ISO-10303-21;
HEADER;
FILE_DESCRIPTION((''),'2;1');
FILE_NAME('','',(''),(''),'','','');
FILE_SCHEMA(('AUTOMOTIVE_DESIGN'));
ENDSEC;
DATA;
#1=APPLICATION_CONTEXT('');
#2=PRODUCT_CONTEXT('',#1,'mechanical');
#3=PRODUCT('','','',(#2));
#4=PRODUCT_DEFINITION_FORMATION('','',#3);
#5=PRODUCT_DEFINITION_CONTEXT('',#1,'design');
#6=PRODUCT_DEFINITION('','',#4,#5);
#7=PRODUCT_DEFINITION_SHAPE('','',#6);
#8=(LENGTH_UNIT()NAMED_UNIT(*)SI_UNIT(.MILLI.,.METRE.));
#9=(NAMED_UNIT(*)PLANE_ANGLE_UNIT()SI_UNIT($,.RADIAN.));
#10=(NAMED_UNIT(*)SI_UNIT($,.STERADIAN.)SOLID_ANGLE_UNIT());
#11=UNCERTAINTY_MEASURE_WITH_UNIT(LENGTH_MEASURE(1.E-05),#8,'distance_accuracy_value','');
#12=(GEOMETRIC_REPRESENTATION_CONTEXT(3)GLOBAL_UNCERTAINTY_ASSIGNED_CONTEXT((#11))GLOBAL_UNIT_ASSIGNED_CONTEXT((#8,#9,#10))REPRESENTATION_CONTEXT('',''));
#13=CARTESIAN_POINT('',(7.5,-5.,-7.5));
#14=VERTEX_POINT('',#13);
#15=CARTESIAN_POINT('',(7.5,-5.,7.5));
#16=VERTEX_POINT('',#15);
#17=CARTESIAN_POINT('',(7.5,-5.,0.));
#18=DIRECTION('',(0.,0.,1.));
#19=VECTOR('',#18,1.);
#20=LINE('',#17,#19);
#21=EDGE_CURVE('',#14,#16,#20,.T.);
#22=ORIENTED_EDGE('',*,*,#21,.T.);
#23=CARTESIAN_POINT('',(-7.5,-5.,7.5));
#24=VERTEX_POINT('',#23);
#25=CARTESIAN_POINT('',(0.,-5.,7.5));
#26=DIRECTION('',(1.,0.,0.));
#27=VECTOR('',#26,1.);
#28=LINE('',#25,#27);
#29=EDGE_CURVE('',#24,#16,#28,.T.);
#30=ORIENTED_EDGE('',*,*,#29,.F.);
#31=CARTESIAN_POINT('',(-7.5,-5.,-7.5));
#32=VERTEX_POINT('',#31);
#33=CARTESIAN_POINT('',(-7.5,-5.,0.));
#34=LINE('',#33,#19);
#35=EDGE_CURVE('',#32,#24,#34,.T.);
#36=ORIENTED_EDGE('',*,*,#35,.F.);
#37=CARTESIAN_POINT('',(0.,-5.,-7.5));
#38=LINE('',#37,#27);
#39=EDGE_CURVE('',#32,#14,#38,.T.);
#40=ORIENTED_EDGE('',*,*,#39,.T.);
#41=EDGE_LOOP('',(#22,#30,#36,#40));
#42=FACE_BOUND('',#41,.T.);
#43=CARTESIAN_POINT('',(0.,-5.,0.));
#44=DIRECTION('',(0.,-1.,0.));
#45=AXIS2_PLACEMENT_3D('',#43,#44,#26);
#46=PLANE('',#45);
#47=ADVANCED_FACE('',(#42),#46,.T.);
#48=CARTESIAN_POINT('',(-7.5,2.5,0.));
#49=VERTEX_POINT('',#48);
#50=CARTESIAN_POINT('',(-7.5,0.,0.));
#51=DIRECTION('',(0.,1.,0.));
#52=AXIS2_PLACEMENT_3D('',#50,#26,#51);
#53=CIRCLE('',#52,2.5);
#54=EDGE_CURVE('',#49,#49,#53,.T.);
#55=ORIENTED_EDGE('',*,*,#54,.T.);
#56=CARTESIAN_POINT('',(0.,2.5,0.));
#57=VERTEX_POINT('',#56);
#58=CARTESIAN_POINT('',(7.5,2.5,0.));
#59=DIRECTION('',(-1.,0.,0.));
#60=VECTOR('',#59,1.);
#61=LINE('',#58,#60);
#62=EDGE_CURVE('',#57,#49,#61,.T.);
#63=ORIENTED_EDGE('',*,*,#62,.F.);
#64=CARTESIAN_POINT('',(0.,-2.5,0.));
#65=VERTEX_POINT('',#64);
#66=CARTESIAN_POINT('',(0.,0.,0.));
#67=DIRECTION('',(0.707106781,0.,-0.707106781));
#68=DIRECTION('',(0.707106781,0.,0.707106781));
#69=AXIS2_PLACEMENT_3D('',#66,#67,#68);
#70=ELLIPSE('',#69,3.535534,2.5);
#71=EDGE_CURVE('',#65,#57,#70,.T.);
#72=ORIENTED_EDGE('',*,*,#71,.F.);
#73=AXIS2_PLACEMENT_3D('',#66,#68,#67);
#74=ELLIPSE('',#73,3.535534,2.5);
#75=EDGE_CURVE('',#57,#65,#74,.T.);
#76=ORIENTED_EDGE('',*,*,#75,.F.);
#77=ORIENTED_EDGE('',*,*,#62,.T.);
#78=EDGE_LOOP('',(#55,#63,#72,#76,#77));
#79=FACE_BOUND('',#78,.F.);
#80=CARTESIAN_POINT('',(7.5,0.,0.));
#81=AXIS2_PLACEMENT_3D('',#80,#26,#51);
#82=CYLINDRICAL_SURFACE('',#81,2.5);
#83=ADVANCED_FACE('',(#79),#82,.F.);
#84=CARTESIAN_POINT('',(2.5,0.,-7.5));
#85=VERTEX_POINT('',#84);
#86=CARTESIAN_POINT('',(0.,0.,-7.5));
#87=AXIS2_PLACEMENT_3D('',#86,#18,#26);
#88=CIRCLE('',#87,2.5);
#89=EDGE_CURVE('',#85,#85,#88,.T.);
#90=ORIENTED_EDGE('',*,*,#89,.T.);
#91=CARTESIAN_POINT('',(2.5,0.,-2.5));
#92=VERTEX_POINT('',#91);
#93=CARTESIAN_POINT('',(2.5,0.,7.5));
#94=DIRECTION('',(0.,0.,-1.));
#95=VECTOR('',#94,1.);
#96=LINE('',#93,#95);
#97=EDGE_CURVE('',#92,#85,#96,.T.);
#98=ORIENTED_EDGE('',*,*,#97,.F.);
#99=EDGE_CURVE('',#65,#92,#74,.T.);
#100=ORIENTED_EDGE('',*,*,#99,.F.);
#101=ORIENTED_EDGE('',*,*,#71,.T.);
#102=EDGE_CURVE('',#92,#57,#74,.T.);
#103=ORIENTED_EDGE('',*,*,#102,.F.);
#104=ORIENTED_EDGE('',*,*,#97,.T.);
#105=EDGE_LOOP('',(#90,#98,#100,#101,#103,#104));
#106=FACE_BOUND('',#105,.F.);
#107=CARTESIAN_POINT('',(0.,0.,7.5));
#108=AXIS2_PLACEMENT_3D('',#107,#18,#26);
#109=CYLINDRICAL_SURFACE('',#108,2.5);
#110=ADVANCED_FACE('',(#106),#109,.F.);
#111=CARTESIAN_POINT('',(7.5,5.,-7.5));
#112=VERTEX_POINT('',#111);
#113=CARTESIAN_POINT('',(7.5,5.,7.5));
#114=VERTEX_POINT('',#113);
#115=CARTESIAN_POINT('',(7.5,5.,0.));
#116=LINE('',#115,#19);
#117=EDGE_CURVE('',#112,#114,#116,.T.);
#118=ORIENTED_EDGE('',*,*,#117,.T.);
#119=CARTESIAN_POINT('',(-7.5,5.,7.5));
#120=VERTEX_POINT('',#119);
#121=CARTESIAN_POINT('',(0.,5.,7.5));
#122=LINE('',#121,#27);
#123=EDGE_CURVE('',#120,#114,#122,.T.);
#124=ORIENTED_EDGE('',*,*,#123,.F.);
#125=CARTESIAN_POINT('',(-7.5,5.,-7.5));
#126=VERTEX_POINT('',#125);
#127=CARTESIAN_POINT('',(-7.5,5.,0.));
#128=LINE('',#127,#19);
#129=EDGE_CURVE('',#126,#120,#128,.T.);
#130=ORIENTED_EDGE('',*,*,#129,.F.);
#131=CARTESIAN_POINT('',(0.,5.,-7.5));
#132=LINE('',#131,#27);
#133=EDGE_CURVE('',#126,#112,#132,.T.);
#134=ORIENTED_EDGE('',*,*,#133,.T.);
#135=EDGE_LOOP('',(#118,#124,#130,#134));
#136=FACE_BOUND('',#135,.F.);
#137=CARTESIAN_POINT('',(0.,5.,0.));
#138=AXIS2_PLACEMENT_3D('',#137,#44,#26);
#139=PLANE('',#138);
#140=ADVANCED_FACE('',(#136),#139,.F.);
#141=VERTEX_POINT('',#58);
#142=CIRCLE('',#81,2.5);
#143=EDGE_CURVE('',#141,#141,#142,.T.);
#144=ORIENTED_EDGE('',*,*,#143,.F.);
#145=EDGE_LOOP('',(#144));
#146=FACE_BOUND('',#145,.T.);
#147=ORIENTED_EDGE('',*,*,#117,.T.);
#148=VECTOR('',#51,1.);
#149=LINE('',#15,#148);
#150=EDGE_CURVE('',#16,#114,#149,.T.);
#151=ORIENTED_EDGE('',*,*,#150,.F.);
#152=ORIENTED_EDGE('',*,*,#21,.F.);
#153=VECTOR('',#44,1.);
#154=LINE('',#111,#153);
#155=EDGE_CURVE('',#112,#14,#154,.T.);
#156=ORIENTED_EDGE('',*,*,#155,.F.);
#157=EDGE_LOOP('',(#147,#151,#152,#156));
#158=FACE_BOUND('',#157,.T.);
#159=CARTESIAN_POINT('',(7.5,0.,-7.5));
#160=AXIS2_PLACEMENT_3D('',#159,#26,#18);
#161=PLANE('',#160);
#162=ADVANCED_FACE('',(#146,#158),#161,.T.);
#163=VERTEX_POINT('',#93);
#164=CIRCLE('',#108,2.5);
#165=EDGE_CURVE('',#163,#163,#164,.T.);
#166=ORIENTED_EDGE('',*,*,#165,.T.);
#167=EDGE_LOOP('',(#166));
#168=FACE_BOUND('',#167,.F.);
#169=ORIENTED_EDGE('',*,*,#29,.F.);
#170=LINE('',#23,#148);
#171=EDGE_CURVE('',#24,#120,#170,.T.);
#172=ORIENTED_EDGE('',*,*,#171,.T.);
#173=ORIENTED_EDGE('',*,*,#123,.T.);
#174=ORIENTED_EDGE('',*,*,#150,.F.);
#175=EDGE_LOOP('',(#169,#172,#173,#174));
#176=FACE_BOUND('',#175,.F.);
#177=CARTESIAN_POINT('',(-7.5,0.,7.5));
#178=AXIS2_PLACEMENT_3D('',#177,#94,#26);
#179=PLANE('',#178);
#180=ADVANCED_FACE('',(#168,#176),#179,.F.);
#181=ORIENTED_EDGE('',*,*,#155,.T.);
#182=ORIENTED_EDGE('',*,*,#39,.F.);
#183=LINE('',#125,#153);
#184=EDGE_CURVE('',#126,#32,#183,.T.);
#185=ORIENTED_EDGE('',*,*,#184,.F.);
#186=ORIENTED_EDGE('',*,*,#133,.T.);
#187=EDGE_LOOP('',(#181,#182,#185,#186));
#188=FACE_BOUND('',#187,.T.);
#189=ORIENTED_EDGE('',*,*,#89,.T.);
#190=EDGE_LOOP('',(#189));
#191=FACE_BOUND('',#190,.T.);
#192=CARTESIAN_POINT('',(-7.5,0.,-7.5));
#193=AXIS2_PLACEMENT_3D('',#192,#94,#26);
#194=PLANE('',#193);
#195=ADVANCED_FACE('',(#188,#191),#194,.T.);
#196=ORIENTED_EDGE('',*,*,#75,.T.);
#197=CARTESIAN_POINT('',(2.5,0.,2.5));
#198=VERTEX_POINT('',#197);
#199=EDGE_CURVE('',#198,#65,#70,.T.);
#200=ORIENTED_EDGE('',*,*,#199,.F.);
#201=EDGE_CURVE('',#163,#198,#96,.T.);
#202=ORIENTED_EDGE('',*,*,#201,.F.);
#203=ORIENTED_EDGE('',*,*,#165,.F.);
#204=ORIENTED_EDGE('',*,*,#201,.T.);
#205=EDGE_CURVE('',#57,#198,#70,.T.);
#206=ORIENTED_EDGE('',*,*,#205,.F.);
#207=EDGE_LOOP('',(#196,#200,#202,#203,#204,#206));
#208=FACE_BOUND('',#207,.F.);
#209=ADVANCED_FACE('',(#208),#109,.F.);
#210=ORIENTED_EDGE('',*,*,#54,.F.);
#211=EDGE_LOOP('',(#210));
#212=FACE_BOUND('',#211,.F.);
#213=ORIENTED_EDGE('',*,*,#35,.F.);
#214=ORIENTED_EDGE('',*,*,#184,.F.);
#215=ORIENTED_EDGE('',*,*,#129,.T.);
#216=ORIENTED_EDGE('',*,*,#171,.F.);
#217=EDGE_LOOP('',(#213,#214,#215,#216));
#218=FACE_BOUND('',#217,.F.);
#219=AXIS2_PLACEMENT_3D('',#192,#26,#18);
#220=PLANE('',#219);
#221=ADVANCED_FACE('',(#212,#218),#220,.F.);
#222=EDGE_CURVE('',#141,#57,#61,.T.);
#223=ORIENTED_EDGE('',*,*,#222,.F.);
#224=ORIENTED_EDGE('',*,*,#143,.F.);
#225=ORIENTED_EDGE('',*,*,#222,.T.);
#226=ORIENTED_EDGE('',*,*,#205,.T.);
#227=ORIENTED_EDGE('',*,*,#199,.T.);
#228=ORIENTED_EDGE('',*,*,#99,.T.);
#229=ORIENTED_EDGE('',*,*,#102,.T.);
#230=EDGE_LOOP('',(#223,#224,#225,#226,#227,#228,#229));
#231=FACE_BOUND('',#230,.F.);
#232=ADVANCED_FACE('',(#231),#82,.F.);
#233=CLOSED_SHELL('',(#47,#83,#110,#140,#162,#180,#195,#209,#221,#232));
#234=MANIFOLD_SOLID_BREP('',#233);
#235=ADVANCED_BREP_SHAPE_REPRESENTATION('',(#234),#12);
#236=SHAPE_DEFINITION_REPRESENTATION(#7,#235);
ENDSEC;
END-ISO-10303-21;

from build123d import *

# Parameters (mm, degrees)
F0_W     = 15
F0_H     = 15
F1_DEPTH = 5
F2_R     = 2.5
F3_DEPTH = 15
F4_R     = 2.5
F5_DEPTH = 15


with BuildPart() as f1:
    # F0 (on Front) → F1 (new body, symmetric)
    with BuildSketch(Plane.XZ):
        Rectangle(F0_W, F0_H)
    extrude(amount=F1_DEPTH, both=True)

    # F2 (on face) → F3 (cut, through all)
    with BuildSketch(Plane.YZ.offset(7.5)):
        Circle(F2_R)
    extrude(amount=-F3_DEPTH, mode=Mode.SUBTRACT)

    # F4 (on face) → F5 (cut, through all)
    with BuildSketch(Plane.XY.offset(7.5)):
        Circle(F4_R)
    extrude(amount=-F5_DEPTH, mode=Mode.SUBTRACT)


solid = f1.part
